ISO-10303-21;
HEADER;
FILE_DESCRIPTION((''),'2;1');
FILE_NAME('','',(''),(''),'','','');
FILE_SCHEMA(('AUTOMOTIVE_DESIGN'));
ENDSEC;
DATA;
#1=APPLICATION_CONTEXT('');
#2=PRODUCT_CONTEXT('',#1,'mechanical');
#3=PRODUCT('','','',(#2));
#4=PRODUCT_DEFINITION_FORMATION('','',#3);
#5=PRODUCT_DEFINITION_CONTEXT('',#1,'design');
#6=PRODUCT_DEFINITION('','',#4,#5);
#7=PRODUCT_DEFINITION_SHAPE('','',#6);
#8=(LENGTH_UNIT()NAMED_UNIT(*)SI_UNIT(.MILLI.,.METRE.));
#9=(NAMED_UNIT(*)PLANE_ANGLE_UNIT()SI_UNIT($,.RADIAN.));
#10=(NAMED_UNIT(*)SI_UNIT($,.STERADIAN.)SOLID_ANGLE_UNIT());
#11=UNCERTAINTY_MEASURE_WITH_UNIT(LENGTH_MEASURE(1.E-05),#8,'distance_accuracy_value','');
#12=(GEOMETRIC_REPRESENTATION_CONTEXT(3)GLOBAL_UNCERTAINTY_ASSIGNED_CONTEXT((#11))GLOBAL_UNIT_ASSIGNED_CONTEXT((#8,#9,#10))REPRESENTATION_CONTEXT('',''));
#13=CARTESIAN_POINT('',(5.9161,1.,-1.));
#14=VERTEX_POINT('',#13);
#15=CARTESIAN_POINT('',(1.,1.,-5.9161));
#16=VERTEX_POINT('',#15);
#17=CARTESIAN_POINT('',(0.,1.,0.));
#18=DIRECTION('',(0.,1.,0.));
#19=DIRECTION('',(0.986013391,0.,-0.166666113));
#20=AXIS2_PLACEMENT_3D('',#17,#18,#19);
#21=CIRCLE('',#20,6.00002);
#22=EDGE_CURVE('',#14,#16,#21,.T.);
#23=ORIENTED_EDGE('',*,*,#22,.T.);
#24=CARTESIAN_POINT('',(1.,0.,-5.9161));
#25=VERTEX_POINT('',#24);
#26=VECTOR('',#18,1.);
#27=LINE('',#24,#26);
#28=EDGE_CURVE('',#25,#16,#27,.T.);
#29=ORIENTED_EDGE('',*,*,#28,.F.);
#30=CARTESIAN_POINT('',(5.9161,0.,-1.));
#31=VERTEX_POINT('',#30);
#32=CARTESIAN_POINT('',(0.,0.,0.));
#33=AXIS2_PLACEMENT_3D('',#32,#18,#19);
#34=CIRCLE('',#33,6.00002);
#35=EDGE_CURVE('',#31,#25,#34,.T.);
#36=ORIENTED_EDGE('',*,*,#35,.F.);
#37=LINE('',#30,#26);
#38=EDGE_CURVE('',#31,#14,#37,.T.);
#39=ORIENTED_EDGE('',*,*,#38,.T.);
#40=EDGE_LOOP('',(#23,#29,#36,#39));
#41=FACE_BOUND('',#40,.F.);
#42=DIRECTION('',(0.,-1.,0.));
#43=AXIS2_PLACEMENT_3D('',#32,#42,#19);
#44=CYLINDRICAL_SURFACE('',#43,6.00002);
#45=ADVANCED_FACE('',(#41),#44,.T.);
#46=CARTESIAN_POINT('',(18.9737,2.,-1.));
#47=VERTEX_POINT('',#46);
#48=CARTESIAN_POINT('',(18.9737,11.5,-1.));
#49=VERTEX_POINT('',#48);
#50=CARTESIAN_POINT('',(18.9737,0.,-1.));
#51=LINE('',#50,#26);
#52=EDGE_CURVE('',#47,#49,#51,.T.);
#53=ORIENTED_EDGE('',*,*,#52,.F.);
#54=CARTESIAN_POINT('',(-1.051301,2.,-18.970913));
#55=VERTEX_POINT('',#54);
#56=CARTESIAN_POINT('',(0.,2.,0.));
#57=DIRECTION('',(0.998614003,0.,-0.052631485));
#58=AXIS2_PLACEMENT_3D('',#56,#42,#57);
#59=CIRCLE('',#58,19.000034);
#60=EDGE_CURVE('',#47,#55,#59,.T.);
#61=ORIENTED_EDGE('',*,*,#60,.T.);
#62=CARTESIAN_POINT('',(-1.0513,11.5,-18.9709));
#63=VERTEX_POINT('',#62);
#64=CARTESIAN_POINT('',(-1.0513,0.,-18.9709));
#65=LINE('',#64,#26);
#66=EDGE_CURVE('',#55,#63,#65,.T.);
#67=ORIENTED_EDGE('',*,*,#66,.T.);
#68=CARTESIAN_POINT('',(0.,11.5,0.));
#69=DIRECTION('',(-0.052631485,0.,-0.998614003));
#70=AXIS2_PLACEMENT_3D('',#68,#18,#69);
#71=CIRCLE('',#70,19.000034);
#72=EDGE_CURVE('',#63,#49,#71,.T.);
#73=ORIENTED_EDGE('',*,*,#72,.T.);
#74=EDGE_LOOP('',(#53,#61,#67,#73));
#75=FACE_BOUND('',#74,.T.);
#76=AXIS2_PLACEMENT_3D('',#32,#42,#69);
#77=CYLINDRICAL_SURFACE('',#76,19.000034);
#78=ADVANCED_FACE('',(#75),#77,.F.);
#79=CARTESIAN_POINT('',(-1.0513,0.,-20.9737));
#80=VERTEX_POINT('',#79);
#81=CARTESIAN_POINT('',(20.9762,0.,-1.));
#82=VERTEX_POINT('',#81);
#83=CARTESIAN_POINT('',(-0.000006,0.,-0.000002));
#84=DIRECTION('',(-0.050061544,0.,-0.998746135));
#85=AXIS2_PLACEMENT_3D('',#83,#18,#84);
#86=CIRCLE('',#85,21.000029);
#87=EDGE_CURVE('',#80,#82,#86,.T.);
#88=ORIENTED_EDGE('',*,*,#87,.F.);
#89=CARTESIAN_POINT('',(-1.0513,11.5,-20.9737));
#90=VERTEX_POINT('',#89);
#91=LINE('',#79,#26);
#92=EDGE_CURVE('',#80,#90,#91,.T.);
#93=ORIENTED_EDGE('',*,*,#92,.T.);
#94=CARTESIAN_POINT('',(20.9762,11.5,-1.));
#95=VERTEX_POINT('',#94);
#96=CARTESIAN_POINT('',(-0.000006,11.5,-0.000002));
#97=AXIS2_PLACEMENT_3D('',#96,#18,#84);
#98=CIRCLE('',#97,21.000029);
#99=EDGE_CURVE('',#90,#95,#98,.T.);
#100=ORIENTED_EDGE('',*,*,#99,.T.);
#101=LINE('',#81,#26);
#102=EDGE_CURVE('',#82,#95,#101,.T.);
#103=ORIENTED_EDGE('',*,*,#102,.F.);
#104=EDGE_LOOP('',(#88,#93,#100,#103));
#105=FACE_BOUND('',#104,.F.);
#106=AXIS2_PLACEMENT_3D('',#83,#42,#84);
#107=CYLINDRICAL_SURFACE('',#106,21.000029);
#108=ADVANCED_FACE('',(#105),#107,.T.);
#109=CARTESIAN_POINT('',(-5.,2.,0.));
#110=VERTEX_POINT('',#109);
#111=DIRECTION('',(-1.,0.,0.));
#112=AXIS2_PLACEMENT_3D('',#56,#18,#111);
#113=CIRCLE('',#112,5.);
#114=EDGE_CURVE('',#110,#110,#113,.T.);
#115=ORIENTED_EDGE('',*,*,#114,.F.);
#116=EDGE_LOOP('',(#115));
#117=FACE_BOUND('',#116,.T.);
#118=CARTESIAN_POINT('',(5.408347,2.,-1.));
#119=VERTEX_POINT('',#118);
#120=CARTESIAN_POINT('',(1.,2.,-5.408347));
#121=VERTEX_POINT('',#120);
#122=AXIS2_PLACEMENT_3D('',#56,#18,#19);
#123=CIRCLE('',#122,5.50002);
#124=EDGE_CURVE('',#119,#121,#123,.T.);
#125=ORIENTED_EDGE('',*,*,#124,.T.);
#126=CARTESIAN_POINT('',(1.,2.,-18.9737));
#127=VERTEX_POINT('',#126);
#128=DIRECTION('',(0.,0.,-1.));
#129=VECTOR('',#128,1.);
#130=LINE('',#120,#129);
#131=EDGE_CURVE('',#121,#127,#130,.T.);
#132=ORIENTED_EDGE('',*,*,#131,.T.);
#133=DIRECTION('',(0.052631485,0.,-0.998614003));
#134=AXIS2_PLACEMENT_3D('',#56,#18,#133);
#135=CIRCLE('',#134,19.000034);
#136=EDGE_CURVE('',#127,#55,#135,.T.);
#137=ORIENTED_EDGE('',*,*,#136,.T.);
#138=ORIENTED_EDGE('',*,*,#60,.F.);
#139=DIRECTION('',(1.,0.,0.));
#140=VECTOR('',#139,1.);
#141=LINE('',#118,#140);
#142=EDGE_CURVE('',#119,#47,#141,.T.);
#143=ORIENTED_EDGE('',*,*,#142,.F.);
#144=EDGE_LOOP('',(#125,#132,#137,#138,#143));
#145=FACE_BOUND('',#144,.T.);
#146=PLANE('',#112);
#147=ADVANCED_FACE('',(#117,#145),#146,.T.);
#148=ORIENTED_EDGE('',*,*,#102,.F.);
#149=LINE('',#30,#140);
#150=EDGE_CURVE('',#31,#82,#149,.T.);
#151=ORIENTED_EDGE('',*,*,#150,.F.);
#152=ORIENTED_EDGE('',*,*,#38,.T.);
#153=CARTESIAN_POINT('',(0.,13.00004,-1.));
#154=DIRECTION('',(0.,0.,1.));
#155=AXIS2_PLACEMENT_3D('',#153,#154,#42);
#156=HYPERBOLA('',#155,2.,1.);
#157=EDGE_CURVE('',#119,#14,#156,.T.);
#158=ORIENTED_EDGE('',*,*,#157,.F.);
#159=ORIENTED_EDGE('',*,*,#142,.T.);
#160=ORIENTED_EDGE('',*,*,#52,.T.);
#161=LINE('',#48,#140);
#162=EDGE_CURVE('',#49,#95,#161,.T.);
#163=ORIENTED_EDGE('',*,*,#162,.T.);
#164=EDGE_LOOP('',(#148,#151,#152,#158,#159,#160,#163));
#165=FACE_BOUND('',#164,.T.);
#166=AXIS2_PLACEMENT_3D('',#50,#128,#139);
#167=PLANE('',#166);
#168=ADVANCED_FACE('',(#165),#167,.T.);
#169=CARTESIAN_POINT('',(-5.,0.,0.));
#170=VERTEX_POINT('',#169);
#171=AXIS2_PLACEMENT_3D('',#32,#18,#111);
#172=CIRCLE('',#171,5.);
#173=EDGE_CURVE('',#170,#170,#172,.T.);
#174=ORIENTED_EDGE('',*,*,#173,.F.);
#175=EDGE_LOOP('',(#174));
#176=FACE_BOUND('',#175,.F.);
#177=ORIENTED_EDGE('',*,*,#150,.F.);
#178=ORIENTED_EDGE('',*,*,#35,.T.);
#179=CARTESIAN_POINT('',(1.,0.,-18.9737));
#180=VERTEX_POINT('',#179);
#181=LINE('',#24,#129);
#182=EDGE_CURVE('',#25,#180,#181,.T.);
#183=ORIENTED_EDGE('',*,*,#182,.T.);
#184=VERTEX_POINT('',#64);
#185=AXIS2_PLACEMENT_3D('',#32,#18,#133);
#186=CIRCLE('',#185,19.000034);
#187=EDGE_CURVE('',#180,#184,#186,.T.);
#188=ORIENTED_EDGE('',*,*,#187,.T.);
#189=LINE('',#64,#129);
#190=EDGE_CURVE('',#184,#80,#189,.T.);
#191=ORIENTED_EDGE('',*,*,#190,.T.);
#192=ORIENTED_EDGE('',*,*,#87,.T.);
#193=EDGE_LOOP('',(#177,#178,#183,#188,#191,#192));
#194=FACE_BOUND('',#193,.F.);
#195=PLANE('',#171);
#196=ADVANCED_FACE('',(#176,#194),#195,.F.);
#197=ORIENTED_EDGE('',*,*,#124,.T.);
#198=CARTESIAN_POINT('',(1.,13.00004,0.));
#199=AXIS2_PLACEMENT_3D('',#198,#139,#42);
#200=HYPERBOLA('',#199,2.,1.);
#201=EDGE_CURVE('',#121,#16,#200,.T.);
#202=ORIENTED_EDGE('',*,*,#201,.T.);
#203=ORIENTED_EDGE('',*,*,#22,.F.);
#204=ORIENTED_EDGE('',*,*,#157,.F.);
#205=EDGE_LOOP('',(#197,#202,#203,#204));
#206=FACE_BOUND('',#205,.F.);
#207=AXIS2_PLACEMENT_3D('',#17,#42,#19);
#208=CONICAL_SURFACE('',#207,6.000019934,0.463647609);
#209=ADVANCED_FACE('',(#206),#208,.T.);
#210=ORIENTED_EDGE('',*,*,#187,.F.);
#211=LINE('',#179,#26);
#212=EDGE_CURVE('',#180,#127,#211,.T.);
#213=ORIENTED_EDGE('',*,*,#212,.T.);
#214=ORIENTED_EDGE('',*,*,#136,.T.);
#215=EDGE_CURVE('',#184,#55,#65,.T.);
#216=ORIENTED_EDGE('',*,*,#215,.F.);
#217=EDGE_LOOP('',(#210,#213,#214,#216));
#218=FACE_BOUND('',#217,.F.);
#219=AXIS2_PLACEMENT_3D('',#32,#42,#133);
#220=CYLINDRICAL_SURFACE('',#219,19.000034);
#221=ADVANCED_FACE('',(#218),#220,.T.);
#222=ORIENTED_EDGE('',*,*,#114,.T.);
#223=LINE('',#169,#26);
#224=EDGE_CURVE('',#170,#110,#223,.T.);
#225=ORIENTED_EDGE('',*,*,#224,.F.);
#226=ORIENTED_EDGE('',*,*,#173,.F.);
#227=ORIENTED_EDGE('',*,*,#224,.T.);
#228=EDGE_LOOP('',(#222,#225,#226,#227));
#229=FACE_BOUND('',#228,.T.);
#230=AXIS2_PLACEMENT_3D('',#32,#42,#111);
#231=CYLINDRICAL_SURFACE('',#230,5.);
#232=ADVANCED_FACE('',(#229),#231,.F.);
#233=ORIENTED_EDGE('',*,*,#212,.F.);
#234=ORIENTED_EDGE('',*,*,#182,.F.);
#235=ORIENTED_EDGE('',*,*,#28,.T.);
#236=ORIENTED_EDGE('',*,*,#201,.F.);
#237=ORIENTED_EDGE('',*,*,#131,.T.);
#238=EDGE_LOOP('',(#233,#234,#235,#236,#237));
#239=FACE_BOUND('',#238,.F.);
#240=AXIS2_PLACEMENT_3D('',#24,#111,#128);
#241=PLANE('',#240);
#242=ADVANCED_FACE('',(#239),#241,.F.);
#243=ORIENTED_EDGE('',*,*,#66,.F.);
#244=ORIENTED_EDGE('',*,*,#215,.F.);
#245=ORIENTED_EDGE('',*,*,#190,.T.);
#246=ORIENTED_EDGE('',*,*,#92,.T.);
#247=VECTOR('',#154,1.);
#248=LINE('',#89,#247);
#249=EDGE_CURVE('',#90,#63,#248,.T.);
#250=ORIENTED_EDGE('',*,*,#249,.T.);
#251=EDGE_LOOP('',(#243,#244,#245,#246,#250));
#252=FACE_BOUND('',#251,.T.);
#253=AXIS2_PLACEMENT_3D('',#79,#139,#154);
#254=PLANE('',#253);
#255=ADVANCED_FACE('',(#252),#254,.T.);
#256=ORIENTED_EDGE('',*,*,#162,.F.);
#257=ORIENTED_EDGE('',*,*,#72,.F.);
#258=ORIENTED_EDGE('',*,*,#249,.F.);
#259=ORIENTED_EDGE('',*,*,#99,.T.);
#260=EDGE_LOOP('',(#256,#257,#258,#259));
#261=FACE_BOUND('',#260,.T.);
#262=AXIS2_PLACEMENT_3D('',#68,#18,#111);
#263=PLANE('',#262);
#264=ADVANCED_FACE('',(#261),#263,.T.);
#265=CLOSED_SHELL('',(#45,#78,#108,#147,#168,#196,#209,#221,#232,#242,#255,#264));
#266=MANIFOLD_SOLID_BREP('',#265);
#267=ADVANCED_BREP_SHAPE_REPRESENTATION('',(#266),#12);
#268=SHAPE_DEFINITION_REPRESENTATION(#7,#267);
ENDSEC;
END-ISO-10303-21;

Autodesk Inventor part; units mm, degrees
ref_plane "YZ Plane" through (0, 0, 0) normal (1, 0, 0) x (0, 1, 0)
ref_plane "XZ Plane" through (0, 0, 0) normal (0, 1, 0) x (-1, 0, 0)
ref_plane "XY Plane" through (0, 0, 0) normal (0, 0, 1) x (1, 0, 0)
sketch "Sketch9" plane through (0, 0, 0) normal (0, 1, 0) x (-1, 0, 0)
  line L0 (21, 0) -> (-21, 0) construction
  line L1 (0, 21) -> (0, -21) construction
  line L2 (21, -1) -> (20.9762, -1)
  line L3 (21, 1) -> (20.9762, 1)
  line L4 (-20.9762, 1) -> (-21, 1)
  line L5 (1, 21) -> (1, 20.9762)
  line L6 (1, -20.9762) -> (1, -21)
  line L7 (-1, 21) -> (-1, 20.9762)
  line L8 (-1, -5.9161) -> (-1, -21)
  line L9 (-5.9161, -1) -> (-18.9762, -1)
  circle A0 centre (0, 0) radius 5
  arc A1 (-5.9161, -1) -> (-1, -5.9161) centre (0, 0) ccw
  line L10 (-20.9762, -1) -> (-18.9762, -1)
  line L11 (1, -21) -> (1, -3.873) construction
  line L12 (-3.873, 1) -> (-18.9762, 1) construction
  line L13 (-18.9762, 1) -> (-20.9762, 1) construction
  line L14 (-3.873, 1) -> (20.9762, 1) construction
  line L15 (-5.9161, -1) -> (20.9762, -1) construction
  line L16 (1, -3.873) -> (1, 20.9762) construction
  line L17 (-1, -5.9161) -> (-1, 20.9762) construction
  line L18 (0, 21) -> (0, 19) construction
  line L19 (0, 19) -> (1, 19) construction
  arc A2 (-1, -20.9762) -> (0, 21) centre (0, 0) ccw construction
  arc A3 (20.9762, 1) -> (-20.9762, -1) centre (0, 0) ccw construction
  arc A4 (-1, -18.9737) -> (-18.9737, -1) centre (0, 0) ccw
  line L20 (-1, 19) -> (1, 19)
  point P0 (-4.899, -1)
  point P1 (-1, -4.899)
  dimension "d35" = 10
  dimension "d50" = 2
  dimension "d53" = 38
extrude "Extrusion5" add sketch "Sketch9" along normal blind 2
chamfer "Chamfer1" distance 0.5 distance2 1 1 edges at (4.2426, 2, -4.2426) measured on face at (13.5988, 2, 4.219)
sketch "Sketch12" plane through (0, 0, 0) normal (0, 1, 0) x (-1, 0, 0)
  arc A0 (1.0513, -20.9737) -> (-20.9762, -1) centre (0, 0) ccw
  circle A1 centre (0, 0) radius 5 projected
  arc A2 (1, -18.9737) -> (-18.9737, -1) centre (0, 0) ccw
  line L0 (-18.9737, -1) -> (-5.4083, -1) projected
  line L1 (-18.9737, -1) -> (-20.9762, -1)
  line L2 (-1, -5.4083) -> (-1, -18.9737) projected
  line L3 (0.0513, 20.9999) -> (0.0513, -20.9999) construction
  line L4 (1.0513, 21.0025) -> (1.0513, -20.9975) construction
  line L5 (1.0513, -20.9737) -> (1.0513, -18.9737)
  arc A3 (-1, -18.9737) -> (-18.9737, -1) centre (0, 0) ccw projected
  line L6 (1.0513, -18.9737) -> (-1, -18.9737)
  line L7 (1.0513, -18.9737) -> (1.0513, -18.9709)
  dimension "d58" = 42
  dimension "d60" = 19
  dimension "d63" = 1
  dimension "d64" = 2
extrude "Extrusion8" add sketch "Sketch12" along normal blind 11.5 contours L5 L7 A2 L1 A0
properties part number "base layer 4"
